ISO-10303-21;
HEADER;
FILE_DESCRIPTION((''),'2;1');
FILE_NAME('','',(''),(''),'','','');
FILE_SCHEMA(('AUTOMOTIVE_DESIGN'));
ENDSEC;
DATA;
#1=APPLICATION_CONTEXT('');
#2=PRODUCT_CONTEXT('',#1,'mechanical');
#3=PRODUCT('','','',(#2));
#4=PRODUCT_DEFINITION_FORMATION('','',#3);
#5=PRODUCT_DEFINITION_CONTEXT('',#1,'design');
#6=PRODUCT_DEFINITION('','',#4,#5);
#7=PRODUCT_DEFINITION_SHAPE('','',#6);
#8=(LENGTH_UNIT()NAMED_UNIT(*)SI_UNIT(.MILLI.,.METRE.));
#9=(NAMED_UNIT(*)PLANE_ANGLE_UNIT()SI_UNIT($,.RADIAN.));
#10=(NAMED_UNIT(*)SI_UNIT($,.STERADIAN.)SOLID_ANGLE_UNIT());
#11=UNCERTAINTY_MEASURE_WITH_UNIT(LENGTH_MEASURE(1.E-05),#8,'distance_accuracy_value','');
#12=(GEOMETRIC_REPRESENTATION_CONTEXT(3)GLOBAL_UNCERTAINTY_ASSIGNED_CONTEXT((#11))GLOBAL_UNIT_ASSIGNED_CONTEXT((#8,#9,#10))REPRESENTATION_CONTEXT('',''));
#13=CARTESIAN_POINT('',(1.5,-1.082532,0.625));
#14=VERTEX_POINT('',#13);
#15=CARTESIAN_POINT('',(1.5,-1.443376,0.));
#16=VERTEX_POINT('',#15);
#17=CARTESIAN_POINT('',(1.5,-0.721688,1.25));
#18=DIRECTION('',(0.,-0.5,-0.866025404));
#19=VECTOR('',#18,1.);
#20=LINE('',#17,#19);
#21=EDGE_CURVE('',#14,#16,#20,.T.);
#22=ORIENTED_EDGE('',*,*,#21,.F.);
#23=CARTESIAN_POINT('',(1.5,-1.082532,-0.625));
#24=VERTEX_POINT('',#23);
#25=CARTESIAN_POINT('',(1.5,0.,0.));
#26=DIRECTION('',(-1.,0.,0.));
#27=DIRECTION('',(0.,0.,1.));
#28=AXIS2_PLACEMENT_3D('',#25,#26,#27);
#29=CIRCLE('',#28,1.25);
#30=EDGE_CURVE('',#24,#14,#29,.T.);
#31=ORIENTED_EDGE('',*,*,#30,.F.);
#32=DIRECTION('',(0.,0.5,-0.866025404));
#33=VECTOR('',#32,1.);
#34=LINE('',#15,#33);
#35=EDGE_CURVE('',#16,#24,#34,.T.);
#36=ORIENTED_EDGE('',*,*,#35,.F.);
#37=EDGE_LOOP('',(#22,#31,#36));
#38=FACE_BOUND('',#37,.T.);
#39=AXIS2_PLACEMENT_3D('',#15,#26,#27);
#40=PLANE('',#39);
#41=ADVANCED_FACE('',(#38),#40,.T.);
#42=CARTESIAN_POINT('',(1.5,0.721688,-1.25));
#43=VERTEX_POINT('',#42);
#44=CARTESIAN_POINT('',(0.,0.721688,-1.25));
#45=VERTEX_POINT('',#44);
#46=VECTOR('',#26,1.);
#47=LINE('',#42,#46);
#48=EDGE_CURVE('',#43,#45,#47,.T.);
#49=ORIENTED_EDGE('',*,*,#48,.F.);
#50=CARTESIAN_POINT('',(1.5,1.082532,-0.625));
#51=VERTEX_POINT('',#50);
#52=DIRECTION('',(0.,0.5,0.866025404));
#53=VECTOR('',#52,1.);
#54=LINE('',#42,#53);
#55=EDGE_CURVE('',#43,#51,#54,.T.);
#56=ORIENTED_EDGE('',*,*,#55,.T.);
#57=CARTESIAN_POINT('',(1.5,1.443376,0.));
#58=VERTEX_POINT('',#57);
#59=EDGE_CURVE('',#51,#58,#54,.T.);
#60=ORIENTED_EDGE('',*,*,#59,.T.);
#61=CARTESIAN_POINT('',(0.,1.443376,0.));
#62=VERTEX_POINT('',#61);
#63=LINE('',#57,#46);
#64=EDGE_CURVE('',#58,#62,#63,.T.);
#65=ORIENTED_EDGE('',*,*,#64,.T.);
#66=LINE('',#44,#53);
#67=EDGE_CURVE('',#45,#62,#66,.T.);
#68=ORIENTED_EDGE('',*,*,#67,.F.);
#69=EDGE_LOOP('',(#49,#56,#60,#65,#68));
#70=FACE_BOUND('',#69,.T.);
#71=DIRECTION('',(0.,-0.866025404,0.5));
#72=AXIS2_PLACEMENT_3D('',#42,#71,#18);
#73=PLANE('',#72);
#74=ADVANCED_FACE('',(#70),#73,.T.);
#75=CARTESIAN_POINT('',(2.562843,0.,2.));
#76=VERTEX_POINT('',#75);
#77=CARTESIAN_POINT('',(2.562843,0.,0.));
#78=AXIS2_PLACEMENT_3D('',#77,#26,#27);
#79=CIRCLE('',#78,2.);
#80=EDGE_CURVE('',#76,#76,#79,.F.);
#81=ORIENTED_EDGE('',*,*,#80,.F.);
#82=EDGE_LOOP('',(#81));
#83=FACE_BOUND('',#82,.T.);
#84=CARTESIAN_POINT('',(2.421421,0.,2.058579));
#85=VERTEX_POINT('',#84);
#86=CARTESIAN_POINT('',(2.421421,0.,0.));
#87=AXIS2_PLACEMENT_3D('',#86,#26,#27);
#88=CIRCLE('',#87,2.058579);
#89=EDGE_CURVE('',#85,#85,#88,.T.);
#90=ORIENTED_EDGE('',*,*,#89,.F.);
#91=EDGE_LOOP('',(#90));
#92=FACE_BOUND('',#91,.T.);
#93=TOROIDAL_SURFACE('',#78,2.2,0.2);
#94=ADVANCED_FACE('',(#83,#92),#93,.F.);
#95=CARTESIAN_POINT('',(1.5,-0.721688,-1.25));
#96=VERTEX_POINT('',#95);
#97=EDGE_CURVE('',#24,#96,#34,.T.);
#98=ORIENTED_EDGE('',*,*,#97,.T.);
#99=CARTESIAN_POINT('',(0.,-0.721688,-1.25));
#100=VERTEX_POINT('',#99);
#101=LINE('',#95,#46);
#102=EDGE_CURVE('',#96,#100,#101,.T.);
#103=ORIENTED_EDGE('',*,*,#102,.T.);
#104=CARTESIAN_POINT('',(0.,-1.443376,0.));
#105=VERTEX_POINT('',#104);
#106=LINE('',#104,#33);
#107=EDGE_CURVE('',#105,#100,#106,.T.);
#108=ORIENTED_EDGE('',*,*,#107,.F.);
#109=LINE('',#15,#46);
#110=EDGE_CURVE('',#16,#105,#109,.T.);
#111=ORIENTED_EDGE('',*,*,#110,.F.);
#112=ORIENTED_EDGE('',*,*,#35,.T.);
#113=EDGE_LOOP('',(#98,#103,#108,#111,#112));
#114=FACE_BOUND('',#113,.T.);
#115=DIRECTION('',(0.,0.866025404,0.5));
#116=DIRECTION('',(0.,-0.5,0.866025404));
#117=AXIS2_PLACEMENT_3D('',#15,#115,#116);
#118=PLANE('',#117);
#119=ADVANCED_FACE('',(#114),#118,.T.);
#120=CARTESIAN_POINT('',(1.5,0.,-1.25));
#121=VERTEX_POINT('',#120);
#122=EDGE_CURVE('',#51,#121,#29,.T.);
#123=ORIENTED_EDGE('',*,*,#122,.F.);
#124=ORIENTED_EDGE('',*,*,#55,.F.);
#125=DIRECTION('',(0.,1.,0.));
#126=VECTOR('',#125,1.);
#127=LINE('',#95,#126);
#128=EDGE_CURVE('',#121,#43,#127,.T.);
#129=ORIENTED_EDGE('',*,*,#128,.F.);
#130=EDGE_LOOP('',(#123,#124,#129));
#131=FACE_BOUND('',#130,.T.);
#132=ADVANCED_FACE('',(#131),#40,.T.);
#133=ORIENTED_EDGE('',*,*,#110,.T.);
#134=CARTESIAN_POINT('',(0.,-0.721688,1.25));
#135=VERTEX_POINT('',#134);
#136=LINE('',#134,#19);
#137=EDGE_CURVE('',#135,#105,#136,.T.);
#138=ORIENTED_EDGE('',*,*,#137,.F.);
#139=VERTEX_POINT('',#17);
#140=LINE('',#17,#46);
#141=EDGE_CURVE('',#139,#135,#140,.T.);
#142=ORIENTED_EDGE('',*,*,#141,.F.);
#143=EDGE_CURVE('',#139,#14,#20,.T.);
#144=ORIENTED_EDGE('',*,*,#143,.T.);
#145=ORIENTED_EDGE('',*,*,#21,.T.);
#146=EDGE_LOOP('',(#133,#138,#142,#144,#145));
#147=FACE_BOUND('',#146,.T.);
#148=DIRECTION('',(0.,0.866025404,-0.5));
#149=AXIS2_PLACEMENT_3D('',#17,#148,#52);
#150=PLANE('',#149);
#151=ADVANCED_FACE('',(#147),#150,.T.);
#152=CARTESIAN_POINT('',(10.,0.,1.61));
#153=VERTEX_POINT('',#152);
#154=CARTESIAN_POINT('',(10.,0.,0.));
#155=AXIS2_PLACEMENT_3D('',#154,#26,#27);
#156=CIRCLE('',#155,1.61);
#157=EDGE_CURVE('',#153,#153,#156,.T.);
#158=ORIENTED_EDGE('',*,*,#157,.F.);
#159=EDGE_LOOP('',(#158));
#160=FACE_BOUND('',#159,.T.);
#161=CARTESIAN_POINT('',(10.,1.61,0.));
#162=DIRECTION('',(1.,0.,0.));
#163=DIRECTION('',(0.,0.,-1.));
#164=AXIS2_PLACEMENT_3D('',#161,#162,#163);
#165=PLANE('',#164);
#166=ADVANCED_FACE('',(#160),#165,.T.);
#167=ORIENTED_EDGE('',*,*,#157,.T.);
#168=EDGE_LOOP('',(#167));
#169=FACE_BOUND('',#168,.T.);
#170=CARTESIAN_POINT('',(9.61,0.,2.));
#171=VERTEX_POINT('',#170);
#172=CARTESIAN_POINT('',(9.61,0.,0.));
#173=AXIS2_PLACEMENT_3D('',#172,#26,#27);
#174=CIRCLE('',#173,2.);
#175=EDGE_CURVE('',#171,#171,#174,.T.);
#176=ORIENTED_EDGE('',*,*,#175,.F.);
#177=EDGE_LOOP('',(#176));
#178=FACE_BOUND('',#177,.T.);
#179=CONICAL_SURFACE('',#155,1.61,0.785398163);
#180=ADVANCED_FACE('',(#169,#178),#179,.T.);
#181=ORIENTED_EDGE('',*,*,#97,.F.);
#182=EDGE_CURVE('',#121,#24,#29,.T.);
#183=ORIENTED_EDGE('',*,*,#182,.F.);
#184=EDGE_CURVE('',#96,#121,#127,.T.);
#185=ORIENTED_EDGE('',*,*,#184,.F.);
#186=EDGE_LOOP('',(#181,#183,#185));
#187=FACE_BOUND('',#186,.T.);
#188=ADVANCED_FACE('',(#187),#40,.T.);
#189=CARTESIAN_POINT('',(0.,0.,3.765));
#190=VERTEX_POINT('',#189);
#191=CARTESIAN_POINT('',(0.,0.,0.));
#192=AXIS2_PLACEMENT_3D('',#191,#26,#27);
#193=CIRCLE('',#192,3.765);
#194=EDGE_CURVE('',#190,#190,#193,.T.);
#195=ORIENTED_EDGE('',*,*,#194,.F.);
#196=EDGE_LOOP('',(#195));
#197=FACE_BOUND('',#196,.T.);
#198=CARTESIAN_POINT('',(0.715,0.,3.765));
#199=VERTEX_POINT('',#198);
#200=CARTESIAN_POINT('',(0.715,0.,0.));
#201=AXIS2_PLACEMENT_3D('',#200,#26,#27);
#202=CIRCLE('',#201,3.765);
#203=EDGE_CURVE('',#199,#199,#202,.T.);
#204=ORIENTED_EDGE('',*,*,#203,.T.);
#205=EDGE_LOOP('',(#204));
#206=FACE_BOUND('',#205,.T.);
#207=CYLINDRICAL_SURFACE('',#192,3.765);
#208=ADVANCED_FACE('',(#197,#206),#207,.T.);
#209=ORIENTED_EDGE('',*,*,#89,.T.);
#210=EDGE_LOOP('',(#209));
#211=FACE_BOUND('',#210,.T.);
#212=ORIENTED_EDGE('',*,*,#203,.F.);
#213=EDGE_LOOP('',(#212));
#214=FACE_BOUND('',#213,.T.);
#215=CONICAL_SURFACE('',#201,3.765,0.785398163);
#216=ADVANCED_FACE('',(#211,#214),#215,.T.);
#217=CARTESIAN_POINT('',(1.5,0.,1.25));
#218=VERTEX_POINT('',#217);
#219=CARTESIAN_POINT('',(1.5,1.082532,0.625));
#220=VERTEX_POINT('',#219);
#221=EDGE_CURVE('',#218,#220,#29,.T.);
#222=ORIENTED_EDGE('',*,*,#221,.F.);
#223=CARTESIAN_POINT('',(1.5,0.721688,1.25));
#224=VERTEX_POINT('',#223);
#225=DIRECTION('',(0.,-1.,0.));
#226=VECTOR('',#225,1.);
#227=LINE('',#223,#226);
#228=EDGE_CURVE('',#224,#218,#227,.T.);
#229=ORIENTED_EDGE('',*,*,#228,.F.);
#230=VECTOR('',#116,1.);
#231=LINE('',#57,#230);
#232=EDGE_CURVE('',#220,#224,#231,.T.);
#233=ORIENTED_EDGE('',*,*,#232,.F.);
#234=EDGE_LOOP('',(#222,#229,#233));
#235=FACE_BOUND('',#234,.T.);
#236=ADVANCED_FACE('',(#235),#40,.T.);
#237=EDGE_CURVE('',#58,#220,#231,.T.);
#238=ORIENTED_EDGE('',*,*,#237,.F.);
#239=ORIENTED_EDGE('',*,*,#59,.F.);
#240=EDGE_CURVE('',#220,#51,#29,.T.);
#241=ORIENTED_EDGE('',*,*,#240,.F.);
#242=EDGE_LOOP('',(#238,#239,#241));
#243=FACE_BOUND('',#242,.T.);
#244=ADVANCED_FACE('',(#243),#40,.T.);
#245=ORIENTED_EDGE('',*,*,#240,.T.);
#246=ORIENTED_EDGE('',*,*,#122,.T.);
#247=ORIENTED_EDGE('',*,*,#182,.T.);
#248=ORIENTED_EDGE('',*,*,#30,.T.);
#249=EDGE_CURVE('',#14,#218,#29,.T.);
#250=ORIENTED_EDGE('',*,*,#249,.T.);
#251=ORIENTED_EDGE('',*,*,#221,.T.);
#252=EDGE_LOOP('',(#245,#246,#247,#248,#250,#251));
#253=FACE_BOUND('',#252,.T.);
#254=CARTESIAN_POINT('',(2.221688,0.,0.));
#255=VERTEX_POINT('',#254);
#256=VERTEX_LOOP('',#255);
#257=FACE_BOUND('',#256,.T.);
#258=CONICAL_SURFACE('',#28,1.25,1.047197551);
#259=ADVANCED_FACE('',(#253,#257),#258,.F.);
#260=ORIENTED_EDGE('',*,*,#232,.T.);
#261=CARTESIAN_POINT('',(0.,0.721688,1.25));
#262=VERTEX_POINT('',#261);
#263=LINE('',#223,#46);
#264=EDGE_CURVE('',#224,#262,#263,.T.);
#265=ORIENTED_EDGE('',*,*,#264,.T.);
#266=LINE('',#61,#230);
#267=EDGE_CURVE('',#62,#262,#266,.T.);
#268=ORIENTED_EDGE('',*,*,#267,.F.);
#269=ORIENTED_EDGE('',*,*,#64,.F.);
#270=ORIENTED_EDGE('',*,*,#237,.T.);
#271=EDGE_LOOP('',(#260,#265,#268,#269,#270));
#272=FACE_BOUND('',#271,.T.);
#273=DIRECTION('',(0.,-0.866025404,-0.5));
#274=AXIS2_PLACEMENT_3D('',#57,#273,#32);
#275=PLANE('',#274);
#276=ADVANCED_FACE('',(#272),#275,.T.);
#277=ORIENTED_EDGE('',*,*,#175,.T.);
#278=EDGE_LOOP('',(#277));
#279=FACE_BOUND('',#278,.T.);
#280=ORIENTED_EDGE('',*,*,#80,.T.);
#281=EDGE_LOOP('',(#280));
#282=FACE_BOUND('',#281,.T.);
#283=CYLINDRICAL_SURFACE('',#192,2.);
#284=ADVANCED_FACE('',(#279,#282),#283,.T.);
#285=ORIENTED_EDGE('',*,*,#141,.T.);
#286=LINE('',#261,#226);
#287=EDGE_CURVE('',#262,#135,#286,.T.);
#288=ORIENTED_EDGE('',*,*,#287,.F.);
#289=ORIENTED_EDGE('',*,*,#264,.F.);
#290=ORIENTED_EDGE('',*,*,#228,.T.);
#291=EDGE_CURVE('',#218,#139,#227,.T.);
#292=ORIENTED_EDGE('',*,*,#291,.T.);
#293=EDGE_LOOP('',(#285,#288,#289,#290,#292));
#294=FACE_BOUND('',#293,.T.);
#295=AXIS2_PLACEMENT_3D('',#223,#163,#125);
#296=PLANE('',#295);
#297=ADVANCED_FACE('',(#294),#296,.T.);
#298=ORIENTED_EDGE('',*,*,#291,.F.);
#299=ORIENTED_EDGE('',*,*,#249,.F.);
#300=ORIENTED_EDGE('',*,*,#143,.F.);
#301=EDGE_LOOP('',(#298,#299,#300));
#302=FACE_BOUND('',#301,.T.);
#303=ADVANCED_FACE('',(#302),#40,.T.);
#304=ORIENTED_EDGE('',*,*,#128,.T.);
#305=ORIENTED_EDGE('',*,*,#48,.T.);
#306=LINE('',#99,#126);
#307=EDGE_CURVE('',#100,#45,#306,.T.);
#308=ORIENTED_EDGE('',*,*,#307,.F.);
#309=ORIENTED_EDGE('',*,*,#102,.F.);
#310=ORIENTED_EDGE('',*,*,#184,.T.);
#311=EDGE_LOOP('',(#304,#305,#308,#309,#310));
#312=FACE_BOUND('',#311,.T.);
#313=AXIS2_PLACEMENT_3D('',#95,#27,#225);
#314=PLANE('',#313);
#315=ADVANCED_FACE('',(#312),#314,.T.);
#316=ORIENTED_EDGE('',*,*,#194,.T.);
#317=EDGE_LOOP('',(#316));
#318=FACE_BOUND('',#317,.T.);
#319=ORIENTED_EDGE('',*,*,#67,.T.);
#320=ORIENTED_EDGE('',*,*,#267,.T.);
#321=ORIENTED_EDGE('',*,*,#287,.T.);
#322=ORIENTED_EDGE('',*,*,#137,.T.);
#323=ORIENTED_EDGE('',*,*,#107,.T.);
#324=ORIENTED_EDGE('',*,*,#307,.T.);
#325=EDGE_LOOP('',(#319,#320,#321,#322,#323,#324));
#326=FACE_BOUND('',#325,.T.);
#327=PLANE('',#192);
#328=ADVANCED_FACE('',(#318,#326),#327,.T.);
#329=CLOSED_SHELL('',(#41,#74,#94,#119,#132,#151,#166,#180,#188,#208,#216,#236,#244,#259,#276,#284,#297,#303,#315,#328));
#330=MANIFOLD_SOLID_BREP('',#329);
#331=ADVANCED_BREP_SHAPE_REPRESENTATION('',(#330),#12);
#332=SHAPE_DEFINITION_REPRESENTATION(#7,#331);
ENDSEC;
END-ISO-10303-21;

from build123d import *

# Parameters (mm, degrees)
FILLET1_R   = 0.2
HEX_2_DEPTH = 1.5


with BuildPart() as part:
    # BodySke → BaseBody (revolve)
    with BuildSketch(Plane.XY, mode=Mode.PRIVATE) as basebody_sk:
        Polygon((0, 0), (0, 3.765), (0.715, 3.765), (2.48, 2), (9.61, 2), (10, 1.61), (10, 0), align=None)
    revolve(basebody_sk.sketch.rotate(Axis((0, 0, 0), (1, 0, 0)), 90), axis=Axis((0, 0, 0), (1, 0, 0)))  # turned: the seam where the file's is

    # Fillet1
    fillet1_edges = [part.edges().sort_by_distance(p)[0] for p in [
        (2.48, 0, -2),
    ]]
    fillet(fillet1_edges, radius=FILLET1_R)

    # Sketch2 → PreBroach (revolve, cut)
    with BuildSketch(Plane.XY, mode=Mode.PRIVATE) as prebroach_sk:
        Polygon((0, 1.25), (1.5, 1.25), (2.221687836, 0), (0, 0), align=None)
    revolve(prebroach_sk.sketch.rotate(Axis((0, 0, 0), (1, 0, 0)), 90), axis=Axis((0, 0, 0), (1, 0, 0)), mode=Mode.SUBTRACT)  # turned: the seam where the file's is

    # Sketch3 → Hex 2 (cut)
    with BuildSketch(Plane.ZY):
        Polygon((-1.25, -0.721687836), (-1.25, 0.721687836), (0, 1.443375673), (1.25, 0.721687836), (1.25, -0.721687836), (0, -1.443375673), align=None)
    extrude(amount=-HEX_2_DEPTH, mode=Mode.SUBTRACT)


solid = part.part
